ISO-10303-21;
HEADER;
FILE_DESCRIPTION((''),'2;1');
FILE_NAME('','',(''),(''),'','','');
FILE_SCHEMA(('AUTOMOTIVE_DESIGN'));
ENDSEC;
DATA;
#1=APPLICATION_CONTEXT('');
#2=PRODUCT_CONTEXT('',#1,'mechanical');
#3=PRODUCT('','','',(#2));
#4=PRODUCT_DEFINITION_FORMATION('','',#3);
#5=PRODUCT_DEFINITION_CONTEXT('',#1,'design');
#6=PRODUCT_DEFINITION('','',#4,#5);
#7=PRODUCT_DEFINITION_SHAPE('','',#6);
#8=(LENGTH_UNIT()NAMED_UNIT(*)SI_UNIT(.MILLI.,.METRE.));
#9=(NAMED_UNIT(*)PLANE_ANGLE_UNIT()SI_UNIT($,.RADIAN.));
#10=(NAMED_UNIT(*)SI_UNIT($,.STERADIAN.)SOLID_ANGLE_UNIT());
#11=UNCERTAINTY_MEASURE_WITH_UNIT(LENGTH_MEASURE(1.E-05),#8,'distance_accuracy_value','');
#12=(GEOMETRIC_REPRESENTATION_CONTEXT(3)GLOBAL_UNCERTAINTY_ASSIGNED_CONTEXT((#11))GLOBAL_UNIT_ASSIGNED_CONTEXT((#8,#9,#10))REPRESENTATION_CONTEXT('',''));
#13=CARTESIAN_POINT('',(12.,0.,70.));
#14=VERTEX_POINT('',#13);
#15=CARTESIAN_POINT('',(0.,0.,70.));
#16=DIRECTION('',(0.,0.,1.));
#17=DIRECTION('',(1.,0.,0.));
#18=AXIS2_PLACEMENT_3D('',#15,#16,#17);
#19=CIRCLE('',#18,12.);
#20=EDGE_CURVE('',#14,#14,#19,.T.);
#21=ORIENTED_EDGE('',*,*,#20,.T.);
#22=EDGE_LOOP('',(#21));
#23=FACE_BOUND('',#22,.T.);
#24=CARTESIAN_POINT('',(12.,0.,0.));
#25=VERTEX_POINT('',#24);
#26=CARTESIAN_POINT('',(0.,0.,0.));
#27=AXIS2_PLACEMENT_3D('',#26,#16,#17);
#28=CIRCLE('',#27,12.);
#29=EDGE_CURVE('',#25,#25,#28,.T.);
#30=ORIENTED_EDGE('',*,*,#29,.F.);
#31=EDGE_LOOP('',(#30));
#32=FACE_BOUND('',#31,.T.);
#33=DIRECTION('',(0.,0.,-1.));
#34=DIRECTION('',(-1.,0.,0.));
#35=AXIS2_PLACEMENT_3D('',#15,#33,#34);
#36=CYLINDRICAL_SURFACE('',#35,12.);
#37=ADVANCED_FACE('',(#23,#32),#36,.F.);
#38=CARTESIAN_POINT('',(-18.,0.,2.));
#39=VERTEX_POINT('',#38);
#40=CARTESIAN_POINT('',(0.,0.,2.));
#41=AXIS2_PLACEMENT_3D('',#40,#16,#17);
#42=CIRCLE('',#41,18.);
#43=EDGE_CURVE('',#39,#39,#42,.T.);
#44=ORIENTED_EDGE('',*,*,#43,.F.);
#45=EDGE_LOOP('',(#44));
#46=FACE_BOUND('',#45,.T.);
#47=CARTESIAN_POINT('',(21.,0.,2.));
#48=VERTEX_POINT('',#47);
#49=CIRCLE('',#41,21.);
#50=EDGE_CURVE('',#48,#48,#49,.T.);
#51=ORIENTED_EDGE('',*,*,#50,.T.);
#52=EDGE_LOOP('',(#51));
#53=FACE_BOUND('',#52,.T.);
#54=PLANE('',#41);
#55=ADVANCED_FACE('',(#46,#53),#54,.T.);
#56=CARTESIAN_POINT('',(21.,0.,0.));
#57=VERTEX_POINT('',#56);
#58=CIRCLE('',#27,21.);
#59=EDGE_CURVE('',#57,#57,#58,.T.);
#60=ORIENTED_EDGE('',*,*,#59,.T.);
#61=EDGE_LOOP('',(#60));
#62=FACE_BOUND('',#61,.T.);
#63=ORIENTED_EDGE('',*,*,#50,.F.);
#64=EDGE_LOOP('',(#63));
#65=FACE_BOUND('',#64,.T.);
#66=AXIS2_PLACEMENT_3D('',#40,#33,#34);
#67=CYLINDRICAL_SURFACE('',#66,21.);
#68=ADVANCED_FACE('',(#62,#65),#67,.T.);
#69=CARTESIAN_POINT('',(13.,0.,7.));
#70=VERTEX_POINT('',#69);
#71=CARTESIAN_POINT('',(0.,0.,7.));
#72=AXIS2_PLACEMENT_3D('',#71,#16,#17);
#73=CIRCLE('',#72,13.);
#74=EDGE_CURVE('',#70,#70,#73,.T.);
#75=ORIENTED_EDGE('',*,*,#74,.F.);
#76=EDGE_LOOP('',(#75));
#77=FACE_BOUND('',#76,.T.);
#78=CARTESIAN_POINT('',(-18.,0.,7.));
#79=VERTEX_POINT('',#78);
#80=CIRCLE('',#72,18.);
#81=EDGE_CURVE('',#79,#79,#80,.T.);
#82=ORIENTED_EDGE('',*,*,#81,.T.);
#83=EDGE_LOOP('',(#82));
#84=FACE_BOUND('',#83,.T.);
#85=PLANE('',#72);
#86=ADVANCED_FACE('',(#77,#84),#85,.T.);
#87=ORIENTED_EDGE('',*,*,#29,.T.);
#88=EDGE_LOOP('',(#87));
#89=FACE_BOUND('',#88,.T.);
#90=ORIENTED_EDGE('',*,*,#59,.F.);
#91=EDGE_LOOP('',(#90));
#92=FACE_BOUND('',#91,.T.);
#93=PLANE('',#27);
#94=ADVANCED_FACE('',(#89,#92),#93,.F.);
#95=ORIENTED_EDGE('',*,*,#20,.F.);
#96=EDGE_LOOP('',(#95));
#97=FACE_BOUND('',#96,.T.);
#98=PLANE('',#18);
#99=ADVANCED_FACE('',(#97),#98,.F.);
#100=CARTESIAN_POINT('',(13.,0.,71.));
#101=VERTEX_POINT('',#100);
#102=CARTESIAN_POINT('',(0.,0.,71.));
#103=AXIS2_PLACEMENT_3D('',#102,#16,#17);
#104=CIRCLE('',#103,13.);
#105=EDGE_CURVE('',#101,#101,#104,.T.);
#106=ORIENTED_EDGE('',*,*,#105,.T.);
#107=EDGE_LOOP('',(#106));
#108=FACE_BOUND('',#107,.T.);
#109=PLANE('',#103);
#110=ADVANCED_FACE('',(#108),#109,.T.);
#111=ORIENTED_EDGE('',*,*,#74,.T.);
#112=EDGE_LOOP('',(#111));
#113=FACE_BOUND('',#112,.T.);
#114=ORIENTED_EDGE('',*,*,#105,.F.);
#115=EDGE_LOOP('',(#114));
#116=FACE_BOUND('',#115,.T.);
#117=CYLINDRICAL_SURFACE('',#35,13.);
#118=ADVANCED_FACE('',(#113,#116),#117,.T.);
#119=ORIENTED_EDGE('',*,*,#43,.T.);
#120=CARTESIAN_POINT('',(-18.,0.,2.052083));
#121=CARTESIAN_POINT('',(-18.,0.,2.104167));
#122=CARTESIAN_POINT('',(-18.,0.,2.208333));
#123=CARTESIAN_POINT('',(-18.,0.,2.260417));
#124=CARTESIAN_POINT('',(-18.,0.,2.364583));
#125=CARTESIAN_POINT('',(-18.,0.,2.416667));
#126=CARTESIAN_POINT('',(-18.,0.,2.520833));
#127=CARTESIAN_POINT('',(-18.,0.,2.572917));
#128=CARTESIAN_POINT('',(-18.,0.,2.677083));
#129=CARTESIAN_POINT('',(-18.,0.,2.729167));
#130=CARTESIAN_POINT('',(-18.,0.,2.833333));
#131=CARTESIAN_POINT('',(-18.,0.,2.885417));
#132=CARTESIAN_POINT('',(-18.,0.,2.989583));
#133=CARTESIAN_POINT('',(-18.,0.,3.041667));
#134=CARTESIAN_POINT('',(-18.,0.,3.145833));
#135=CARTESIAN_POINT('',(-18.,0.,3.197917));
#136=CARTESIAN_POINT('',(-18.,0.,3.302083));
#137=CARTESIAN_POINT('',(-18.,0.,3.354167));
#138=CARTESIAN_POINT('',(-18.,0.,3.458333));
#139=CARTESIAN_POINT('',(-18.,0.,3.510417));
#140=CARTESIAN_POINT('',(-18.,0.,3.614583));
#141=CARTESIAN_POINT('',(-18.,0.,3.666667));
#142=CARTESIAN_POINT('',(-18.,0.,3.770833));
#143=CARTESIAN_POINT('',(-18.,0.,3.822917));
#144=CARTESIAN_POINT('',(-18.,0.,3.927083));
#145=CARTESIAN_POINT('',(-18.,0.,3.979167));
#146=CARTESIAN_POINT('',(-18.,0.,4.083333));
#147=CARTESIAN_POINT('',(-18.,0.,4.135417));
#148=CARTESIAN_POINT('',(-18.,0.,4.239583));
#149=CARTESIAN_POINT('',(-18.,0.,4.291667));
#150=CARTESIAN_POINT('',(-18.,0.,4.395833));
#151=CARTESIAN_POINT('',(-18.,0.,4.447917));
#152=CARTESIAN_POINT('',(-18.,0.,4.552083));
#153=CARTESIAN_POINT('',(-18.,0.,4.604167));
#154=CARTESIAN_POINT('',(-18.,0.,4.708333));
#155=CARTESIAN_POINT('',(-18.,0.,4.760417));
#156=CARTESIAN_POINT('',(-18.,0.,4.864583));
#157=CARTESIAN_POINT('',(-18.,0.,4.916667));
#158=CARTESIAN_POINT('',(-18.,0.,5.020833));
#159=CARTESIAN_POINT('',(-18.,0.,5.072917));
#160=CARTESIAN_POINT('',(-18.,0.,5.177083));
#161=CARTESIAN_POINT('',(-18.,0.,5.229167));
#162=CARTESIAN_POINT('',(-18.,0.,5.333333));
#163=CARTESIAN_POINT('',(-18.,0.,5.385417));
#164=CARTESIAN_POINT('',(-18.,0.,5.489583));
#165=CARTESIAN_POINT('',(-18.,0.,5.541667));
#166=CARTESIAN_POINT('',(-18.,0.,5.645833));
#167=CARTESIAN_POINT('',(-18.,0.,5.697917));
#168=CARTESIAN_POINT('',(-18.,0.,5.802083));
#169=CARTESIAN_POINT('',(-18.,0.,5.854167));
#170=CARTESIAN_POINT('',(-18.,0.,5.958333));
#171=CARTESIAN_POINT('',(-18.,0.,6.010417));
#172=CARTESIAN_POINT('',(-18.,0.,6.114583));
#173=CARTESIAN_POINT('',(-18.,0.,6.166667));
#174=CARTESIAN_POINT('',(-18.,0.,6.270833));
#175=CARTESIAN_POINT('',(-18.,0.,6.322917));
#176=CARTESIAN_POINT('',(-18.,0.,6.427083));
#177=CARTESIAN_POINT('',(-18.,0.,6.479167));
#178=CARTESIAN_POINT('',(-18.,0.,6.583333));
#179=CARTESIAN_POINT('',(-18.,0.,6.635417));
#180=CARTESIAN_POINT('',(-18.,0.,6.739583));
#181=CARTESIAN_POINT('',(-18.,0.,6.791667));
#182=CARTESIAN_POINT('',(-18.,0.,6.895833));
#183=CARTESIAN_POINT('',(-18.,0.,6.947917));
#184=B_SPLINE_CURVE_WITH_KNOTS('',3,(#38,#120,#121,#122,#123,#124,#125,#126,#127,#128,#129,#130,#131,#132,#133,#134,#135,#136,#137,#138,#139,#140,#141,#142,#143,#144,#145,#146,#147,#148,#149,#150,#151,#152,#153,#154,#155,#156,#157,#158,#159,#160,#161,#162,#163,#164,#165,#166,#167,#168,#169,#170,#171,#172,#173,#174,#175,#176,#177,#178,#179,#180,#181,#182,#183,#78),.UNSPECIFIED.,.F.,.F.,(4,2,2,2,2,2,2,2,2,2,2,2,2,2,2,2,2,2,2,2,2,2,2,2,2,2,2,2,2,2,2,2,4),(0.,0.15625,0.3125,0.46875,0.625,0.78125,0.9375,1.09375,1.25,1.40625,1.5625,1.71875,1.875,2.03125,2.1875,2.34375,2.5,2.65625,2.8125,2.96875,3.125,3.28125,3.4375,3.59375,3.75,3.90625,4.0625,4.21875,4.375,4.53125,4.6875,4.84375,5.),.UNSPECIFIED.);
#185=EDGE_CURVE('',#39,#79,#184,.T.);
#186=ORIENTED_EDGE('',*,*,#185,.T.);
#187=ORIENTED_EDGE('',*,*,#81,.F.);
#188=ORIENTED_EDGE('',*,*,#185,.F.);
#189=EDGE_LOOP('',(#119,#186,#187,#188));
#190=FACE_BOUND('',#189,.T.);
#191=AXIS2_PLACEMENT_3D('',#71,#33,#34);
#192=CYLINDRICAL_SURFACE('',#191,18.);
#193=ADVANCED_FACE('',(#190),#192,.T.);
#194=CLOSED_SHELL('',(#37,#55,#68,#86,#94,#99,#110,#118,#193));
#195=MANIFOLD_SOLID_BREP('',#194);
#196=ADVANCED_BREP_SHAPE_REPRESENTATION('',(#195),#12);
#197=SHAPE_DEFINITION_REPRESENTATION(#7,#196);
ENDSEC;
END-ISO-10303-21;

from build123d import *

# Parameters (mm, degrees)
SKETCH2_R           = 13
SKETCH2_R_2         = 12
BOSS_EXTRUDE1_DEPTH = 70
SKETCH2_3_R         = 18
SKETCH2_3_R_2       = 13
BOSS_EXTRUDE2_DEPTH = 7
SKETCH2_4_R         = 21
SKETCH2_4_R_2       = 18
BOSS_EXTRUDE3_DEPTH = 2
SKETCH3_R           = 13
BOSS_EXTRUDE4_DEPTH = 1


with BuildPart() as part:
    # Sketch2 → Boss-Extrude1 (new body)
    with BuildSketch(Plane.XY):
        Circle(SKETCH2_R)
        Circle(SKETCH2_R_2, mode=Mode.SUBTRACT)
    extrude(amount=BOSS_EXTRUDE1_DEPTH)

    # Sketch2<3> → Boss-Extrude2 (add)
    with BuildSketch(Plane.XY):
        Circle(SKETCH2_3_R)
        Circle(SKETCH2_3_R_2, mode=Mode.SUBTRACT)
    extrude(amount=BOSS_EXTRUDE2_DEPTH)

    # Sketch2<4> → Boss-Extrude3 (add)
    with BuildSketch(Plane.XY):
        Circle(SKETCH2_4_R)
        Circle(SKETCH2_4_R_2, mode=Mode.SUBTRACT)
    extrude(amount=BOSS_EXTRUDE3_DEPTH)

    # Sketch3 → Boss-Extrude4 (add)
    with BuildSketch(Plane.XY.offset(70)):
        Circle(SKETCH3_R)
    extrude(amount=BOSS_EXTRUDE4_DEPTH)


solid = part.part
